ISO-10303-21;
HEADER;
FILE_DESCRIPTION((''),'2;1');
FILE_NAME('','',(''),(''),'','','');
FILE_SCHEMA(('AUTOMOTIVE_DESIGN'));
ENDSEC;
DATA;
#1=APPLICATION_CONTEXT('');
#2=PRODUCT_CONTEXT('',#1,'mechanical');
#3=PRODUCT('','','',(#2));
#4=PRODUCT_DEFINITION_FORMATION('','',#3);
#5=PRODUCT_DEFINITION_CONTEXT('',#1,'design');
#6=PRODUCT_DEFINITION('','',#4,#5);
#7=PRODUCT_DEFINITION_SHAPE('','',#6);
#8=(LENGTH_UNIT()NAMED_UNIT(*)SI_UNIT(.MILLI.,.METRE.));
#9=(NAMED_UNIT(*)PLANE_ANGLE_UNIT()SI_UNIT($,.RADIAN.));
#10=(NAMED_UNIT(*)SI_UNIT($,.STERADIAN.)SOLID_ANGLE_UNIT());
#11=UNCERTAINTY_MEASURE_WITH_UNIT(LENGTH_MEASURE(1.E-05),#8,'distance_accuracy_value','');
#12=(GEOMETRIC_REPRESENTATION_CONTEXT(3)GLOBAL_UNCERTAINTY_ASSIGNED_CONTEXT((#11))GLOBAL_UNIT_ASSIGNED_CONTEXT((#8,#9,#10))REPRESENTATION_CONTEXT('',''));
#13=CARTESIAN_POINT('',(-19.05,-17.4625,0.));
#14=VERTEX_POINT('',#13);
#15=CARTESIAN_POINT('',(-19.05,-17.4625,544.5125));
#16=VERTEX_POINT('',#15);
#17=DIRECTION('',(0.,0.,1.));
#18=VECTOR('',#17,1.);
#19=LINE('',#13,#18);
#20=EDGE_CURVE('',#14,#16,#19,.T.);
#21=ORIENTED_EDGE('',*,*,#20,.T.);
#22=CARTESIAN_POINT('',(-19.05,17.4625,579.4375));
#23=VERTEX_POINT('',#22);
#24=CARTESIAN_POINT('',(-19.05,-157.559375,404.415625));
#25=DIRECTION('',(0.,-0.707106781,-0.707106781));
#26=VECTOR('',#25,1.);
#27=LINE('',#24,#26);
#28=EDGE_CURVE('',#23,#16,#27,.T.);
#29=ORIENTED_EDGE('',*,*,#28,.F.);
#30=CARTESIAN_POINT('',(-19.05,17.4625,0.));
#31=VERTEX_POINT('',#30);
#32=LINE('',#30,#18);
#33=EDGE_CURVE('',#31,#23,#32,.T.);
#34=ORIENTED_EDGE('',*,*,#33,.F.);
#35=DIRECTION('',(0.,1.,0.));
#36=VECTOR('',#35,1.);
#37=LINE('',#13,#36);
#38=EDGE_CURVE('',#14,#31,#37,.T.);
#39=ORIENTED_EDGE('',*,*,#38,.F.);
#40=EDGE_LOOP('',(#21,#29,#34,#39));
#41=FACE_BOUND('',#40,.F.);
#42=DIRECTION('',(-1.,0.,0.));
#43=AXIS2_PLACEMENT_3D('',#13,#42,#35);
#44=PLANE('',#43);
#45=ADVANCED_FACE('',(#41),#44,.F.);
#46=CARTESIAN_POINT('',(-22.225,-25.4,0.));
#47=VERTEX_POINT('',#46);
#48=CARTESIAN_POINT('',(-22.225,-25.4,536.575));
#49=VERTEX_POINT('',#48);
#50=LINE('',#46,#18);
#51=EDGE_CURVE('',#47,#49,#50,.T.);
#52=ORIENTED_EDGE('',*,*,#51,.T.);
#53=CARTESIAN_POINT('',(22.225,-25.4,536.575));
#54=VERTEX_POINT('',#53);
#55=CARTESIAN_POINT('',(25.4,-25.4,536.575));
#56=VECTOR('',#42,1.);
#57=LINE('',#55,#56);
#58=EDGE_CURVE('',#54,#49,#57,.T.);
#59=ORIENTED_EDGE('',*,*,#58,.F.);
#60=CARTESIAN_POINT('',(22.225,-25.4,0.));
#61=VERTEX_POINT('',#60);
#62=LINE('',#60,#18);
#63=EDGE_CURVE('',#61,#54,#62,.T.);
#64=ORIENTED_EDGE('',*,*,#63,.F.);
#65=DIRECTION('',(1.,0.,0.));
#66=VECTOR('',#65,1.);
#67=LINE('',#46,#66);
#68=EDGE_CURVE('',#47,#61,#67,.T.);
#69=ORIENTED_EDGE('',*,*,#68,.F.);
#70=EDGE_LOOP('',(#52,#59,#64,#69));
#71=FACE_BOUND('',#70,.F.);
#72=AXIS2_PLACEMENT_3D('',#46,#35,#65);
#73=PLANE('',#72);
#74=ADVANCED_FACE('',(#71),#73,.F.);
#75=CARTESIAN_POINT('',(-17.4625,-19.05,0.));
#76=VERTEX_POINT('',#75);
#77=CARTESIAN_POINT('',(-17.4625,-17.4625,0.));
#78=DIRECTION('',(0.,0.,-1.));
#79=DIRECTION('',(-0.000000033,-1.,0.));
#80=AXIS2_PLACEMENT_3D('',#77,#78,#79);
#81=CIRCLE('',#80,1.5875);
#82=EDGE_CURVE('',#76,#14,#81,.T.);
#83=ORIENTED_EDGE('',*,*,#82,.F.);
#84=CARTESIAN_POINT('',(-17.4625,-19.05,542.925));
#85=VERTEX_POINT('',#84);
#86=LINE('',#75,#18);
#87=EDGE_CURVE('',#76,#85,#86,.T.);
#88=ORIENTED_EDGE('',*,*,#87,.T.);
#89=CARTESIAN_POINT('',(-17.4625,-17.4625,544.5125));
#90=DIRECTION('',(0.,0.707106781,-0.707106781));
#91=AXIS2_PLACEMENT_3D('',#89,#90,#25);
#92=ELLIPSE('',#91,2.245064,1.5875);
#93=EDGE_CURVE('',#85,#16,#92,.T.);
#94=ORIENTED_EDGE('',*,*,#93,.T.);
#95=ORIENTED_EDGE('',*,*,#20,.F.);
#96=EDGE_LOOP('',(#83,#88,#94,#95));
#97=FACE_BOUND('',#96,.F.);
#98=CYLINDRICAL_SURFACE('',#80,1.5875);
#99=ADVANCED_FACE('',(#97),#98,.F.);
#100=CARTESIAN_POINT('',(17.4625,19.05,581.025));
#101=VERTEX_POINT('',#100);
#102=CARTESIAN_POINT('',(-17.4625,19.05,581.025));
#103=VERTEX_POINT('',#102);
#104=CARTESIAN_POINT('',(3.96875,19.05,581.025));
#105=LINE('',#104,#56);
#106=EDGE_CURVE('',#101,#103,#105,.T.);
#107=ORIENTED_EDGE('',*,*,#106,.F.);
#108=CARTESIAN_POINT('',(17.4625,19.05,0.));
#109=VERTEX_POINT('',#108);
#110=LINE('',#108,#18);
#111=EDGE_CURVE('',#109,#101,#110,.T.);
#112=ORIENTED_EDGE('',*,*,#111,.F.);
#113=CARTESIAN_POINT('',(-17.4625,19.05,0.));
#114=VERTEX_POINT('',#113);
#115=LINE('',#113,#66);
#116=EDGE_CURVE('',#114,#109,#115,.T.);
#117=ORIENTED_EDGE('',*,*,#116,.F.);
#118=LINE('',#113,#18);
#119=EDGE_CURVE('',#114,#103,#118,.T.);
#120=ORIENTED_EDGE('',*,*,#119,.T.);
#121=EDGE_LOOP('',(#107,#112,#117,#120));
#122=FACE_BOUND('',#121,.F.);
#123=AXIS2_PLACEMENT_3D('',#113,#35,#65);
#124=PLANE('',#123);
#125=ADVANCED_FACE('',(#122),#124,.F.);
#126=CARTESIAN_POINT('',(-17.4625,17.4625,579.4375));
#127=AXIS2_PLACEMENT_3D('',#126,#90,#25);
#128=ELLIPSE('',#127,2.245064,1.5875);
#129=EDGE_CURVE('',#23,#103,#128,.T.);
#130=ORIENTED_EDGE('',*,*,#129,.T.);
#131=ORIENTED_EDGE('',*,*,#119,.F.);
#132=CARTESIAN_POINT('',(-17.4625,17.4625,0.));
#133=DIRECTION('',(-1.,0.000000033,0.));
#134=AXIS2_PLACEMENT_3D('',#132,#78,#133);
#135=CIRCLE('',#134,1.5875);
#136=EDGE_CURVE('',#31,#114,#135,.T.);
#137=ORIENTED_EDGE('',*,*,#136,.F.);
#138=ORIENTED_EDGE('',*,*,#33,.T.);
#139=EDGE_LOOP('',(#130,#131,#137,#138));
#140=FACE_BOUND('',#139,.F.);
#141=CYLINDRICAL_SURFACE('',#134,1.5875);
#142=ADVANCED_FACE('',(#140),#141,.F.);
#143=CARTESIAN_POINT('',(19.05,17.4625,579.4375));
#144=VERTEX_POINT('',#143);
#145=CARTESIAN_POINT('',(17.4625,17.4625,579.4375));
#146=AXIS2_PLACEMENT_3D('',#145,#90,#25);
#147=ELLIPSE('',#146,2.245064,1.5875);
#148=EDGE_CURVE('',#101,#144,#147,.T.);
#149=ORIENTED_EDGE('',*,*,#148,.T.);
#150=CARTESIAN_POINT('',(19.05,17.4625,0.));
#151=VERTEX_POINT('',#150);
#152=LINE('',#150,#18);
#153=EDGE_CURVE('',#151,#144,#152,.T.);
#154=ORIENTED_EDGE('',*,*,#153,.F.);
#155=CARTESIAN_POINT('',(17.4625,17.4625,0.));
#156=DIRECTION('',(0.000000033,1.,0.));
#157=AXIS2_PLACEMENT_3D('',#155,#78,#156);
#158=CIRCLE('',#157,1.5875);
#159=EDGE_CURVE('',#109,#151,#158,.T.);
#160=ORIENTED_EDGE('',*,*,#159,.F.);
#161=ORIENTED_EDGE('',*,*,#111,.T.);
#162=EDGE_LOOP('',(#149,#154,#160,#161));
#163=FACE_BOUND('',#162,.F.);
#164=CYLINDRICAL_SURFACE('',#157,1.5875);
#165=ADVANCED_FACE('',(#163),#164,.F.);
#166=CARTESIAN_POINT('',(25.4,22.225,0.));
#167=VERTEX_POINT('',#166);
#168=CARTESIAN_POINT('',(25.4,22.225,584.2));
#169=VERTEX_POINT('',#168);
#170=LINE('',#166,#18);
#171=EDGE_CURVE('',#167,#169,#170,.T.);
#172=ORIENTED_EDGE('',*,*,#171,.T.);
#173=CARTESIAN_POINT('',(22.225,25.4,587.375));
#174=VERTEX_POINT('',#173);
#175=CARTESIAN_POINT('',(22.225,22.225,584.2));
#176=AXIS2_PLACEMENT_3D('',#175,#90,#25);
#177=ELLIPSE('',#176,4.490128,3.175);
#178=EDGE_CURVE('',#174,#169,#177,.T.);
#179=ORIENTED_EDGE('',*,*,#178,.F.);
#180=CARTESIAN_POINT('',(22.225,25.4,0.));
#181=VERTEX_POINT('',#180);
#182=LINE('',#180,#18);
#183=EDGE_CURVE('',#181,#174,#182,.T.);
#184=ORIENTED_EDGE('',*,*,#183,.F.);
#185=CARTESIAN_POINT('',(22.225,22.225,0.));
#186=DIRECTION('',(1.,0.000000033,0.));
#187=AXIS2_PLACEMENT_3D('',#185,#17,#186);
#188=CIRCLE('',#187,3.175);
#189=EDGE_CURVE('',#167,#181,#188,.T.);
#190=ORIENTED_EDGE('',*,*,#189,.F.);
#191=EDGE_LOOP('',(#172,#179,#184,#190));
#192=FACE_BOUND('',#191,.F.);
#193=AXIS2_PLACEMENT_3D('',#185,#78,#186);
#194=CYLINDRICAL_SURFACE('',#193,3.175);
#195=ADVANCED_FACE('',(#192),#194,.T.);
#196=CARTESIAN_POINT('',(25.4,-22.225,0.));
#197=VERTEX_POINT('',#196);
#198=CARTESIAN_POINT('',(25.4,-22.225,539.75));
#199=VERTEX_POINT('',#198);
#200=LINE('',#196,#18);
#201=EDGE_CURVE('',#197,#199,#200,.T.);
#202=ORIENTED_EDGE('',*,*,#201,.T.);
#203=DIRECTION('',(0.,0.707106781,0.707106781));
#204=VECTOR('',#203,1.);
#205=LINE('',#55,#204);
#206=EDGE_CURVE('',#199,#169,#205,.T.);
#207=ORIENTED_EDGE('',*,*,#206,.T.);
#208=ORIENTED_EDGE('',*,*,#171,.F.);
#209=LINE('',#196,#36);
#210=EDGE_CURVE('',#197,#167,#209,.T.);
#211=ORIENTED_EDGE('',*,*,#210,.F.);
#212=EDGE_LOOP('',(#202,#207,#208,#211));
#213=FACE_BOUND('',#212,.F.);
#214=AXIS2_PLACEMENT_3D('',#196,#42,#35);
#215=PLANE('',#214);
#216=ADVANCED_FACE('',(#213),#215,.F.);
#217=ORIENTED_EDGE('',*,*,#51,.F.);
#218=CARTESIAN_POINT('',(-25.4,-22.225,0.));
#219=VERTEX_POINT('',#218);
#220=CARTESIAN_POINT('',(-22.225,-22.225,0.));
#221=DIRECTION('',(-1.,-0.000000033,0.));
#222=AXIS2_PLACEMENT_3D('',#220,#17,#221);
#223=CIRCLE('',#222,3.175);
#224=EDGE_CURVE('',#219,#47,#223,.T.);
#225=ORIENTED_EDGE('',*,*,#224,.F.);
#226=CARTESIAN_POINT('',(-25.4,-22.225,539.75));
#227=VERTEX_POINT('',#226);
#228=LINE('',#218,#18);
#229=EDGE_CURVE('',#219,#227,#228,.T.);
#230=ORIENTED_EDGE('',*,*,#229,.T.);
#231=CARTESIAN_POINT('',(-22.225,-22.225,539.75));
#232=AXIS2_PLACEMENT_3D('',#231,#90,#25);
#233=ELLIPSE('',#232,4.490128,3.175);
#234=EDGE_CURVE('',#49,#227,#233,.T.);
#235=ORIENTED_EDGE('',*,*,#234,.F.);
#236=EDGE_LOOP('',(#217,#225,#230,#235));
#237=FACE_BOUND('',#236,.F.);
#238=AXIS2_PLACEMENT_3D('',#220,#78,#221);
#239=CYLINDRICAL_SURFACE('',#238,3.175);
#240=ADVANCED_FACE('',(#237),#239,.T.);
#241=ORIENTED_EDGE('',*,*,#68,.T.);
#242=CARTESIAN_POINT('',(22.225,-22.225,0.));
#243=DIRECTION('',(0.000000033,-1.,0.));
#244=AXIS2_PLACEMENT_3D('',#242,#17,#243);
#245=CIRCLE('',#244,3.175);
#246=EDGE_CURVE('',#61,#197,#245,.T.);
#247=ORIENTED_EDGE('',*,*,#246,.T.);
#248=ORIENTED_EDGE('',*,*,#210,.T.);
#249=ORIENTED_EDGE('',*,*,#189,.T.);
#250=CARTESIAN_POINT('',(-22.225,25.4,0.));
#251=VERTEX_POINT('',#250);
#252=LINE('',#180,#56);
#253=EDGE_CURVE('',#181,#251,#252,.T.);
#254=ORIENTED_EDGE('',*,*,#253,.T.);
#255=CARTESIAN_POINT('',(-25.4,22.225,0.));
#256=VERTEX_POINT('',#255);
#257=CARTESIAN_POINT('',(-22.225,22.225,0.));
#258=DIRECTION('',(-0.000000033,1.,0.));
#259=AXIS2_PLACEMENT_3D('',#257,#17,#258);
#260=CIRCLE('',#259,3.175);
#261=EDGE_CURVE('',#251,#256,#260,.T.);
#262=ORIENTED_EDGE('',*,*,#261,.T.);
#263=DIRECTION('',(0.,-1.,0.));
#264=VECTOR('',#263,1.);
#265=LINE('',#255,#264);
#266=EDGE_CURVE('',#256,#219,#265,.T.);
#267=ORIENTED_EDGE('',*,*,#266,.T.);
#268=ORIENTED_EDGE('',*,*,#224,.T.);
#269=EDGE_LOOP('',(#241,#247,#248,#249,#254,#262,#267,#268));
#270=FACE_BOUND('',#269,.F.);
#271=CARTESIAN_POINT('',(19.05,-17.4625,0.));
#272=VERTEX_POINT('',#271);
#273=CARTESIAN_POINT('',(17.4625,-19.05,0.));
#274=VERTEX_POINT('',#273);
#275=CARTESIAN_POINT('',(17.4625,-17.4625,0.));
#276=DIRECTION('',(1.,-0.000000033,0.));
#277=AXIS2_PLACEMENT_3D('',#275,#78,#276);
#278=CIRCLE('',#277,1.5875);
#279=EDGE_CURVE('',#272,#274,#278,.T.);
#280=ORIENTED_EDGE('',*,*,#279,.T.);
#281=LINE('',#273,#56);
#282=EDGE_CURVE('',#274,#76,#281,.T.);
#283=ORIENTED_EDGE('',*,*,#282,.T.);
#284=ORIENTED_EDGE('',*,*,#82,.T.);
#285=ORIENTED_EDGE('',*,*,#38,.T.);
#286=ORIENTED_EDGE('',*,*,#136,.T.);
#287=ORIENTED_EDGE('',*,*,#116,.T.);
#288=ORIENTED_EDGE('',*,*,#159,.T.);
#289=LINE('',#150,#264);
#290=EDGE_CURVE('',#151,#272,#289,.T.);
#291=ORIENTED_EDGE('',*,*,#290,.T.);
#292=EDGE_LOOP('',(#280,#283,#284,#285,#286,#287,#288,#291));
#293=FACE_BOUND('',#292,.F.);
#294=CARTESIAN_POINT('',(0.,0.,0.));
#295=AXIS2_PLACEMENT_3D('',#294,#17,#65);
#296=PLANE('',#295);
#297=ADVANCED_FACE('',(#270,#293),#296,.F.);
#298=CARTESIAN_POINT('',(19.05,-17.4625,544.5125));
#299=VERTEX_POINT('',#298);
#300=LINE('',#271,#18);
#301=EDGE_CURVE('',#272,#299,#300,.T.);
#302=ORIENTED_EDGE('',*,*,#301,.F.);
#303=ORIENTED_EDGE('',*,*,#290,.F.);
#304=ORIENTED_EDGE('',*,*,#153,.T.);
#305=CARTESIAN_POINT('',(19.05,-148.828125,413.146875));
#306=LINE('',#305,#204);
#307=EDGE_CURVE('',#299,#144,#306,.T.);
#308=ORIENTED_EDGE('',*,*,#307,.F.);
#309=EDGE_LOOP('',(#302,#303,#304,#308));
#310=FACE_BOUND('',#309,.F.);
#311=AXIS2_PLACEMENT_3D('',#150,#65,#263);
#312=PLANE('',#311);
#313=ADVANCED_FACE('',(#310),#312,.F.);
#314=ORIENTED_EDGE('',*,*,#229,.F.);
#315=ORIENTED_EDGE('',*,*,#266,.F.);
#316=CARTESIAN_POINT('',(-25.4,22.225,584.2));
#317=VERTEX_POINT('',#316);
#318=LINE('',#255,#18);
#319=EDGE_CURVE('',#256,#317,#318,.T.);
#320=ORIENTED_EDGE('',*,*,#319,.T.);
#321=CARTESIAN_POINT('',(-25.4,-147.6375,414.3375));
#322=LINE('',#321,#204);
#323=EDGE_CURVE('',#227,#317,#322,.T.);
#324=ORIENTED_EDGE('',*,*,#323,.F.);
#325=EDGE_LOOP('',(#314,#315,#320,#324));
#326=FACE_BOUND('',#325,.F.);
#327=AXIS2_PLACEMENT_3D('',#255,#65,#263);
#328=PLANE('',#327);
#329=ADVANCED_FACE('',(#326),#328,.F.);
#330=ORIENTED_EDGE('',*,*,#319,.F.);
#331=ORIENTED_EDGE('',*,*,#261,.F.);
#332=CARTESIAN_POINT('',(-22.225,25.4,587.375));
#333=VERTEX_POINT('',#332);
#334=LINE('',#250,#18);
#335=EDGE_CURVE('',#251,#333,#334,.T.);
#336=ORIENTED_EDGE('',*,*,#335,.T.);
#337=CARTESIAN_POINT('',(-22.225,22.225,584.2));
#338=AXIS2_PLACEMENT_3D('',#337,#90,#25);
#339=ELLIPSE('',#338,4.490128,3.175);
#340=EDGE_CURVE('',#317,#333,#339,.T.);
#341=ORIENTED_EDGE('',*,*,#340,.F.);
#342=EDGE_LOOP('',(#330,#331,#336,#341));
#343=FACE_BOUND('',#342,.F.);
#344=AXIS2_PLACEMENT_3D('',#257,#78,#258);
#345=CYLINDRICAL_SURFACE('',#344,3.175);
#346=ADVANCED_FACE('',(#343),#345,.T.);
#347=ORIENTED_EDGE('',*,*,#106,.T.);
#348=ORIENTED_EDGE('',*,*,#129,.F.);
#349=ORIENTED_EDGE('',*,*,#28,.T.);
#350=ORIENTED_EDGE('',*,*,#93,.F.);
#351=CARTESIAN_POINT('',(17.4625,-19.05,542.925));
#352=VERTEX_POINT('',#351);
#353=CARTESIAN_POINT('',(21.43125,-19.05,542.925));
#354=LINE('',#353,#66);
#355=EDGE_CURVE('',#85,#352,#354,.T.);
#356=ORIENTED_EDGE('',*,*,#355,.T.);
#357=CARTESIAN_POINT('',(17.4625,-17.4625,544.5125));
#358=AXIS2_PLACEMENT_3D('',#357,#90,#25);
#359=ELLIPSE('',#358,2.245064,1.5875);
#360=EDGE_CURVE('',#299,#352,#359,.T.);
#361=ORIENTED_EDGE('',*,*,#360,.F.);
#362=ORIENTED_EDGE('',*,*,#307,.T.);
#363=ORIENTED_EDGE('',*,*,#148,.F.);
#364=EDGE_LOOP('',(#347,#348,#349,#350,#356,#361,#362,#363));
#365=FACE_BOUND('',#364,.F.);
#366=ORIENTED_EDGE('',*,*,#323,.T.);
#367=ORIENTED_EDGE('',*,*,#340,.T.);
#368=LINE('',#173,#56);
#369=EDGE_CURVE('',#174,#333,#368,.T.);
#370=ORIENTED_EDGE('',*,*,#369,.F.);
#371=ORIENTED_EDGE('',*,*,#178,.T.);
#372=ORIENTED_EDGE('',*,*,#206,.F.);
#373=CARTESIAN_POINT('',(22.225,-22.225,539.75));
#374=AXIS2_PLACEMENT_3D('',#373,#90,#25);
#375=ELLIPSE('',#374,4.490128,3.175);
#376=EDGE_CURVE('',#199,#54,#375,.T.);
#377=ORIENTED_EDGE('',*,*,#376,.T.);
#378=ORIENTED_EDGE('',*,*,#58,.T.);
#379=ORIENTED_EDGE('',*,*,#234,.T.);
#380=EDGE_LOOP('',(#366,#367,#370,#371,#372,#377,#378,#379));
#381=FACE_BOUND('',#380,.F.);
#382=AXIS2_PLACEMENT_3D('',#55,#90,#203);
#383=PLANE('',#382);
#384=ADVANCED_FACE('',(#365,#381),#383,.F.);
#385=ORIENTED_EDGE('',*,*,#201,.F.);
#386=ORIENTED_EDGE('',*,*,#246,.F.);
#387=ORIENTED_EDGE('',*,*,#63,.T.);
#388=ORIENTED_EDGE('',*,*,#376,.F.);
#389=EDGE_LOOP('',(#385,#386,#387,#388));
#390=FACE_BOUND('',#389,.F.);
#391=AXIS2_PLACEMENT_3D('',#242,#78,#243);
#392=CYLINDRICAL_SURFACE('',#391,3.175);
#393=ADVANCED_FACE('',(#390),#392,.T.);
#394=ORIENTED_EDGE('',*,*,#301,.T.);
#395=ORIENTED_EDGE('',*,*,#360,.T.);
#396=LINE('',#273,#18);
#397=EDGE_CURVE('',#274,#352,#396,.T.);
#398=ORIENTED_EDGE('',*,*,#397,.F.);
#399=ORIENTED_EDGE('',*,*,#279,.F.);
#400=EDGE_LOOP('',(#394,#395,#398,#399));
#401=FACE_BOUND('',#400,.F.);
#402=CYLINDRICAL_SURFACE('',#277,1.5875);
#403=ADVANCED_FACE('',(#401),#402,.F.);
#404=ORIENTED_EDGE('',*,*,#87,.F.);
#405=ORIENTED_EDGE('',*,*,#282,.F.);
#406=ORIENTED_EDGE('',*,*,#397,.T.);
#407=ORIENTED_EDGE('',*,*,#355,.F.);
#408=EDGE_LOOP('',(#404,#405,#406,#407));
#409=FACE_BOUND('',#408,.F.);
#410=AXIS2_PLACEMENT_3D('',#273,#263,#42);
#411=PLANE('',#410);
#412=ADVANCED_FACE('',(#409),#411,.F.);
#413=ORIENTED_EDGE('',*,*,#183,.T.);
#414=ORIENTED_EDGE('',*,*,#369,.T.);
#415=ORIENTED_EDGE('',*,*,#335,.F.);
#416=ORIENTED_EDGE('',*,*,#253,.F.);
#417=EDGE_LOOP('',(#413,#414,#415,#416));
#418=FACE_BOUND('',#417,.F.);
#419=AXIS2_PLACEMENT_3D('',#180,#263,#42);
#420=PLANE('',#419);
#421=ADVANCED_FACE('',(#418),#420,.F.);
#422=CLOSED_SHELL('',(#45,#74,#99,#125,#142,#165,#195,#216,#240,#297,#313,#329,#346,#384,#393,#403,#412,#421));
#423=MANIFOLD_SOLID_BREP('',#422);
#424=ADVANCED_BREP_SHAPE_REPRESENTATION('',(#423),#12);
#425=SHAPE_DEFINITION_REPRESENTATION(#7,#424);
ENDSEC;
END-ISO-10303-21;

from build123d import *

# Parameters (mm, degrees)
F1_DEPTH = 587.375
F3_DEPTH = 50.801


with BuildPart() as f1:
    # F0 (on Top) → F1 (new body)
    with BuildSketch(Plane.XY):
        with BuildLine():
            Line((22.225, 25.4), (-22.225, 25.4))
            ThreePointArc((-22.225, 25.4), (-24.470064, 24.470064), (-25.4, 22.225))
            Line((-25.4, 22.225), (-25.4, -22.225))
            ThreePointArc((-25.4, -22.225), (-24.470064, -24.470064), (-22.225, -25.4))
            Line((-22.225, -25.4), (22.225, -25.4))
            ThreePointArc((22.225, -25.4), (24.470064, -24.470064), (25.4, -22.225))
            Line((25.4, -22.225), (25.4, 22.225))
            ThreePointArc((25.4, 22.225), (24.470064, 24.470064), (22.225, 25.4))
        make_face()
        with BuildLine():
            ThreePointArc((-19.05, 17.4625), (-18.585032, 18.585032), (-17.4625, 19.05))
            Line((-17.4625, 19.05), (17.4625, 19.05))
            ThreePointArc((17.4625, 19.05), (18.585032, 18.585032), (19.05, 17.4625))
            Line((19.05, 17.4625), (19.05, -17.4625))
            ThreePointArc((19.05, -17.4625), (18.585032, -18.585032), (17.4625, -19.05))
            Line((17.4625, -19.05), (-17.4625, -19.05))
            ThreePointArc((-17.4625, -19.05), (-18.585032, -18.585032), (-19.05, -17.4625))
            Line((-19.05, -17.4625), (-19.05, 17.4625))
        make_face(mode=Mode.SUBTRACT)
    extrude(amount=F1_DEPTH)

    # F2 (on face) → F3 (cut, through all)
    with BuildSketch(Plane.YZ.offset(25.4)):
        Polygon((-25.4, 536.575), (25.4, 587.375), (-25.4, 587.375), align=None)
    extrude(amount=-F3_DEPTH, mode=Mode.SUBTRACT)


solid = f1.part
